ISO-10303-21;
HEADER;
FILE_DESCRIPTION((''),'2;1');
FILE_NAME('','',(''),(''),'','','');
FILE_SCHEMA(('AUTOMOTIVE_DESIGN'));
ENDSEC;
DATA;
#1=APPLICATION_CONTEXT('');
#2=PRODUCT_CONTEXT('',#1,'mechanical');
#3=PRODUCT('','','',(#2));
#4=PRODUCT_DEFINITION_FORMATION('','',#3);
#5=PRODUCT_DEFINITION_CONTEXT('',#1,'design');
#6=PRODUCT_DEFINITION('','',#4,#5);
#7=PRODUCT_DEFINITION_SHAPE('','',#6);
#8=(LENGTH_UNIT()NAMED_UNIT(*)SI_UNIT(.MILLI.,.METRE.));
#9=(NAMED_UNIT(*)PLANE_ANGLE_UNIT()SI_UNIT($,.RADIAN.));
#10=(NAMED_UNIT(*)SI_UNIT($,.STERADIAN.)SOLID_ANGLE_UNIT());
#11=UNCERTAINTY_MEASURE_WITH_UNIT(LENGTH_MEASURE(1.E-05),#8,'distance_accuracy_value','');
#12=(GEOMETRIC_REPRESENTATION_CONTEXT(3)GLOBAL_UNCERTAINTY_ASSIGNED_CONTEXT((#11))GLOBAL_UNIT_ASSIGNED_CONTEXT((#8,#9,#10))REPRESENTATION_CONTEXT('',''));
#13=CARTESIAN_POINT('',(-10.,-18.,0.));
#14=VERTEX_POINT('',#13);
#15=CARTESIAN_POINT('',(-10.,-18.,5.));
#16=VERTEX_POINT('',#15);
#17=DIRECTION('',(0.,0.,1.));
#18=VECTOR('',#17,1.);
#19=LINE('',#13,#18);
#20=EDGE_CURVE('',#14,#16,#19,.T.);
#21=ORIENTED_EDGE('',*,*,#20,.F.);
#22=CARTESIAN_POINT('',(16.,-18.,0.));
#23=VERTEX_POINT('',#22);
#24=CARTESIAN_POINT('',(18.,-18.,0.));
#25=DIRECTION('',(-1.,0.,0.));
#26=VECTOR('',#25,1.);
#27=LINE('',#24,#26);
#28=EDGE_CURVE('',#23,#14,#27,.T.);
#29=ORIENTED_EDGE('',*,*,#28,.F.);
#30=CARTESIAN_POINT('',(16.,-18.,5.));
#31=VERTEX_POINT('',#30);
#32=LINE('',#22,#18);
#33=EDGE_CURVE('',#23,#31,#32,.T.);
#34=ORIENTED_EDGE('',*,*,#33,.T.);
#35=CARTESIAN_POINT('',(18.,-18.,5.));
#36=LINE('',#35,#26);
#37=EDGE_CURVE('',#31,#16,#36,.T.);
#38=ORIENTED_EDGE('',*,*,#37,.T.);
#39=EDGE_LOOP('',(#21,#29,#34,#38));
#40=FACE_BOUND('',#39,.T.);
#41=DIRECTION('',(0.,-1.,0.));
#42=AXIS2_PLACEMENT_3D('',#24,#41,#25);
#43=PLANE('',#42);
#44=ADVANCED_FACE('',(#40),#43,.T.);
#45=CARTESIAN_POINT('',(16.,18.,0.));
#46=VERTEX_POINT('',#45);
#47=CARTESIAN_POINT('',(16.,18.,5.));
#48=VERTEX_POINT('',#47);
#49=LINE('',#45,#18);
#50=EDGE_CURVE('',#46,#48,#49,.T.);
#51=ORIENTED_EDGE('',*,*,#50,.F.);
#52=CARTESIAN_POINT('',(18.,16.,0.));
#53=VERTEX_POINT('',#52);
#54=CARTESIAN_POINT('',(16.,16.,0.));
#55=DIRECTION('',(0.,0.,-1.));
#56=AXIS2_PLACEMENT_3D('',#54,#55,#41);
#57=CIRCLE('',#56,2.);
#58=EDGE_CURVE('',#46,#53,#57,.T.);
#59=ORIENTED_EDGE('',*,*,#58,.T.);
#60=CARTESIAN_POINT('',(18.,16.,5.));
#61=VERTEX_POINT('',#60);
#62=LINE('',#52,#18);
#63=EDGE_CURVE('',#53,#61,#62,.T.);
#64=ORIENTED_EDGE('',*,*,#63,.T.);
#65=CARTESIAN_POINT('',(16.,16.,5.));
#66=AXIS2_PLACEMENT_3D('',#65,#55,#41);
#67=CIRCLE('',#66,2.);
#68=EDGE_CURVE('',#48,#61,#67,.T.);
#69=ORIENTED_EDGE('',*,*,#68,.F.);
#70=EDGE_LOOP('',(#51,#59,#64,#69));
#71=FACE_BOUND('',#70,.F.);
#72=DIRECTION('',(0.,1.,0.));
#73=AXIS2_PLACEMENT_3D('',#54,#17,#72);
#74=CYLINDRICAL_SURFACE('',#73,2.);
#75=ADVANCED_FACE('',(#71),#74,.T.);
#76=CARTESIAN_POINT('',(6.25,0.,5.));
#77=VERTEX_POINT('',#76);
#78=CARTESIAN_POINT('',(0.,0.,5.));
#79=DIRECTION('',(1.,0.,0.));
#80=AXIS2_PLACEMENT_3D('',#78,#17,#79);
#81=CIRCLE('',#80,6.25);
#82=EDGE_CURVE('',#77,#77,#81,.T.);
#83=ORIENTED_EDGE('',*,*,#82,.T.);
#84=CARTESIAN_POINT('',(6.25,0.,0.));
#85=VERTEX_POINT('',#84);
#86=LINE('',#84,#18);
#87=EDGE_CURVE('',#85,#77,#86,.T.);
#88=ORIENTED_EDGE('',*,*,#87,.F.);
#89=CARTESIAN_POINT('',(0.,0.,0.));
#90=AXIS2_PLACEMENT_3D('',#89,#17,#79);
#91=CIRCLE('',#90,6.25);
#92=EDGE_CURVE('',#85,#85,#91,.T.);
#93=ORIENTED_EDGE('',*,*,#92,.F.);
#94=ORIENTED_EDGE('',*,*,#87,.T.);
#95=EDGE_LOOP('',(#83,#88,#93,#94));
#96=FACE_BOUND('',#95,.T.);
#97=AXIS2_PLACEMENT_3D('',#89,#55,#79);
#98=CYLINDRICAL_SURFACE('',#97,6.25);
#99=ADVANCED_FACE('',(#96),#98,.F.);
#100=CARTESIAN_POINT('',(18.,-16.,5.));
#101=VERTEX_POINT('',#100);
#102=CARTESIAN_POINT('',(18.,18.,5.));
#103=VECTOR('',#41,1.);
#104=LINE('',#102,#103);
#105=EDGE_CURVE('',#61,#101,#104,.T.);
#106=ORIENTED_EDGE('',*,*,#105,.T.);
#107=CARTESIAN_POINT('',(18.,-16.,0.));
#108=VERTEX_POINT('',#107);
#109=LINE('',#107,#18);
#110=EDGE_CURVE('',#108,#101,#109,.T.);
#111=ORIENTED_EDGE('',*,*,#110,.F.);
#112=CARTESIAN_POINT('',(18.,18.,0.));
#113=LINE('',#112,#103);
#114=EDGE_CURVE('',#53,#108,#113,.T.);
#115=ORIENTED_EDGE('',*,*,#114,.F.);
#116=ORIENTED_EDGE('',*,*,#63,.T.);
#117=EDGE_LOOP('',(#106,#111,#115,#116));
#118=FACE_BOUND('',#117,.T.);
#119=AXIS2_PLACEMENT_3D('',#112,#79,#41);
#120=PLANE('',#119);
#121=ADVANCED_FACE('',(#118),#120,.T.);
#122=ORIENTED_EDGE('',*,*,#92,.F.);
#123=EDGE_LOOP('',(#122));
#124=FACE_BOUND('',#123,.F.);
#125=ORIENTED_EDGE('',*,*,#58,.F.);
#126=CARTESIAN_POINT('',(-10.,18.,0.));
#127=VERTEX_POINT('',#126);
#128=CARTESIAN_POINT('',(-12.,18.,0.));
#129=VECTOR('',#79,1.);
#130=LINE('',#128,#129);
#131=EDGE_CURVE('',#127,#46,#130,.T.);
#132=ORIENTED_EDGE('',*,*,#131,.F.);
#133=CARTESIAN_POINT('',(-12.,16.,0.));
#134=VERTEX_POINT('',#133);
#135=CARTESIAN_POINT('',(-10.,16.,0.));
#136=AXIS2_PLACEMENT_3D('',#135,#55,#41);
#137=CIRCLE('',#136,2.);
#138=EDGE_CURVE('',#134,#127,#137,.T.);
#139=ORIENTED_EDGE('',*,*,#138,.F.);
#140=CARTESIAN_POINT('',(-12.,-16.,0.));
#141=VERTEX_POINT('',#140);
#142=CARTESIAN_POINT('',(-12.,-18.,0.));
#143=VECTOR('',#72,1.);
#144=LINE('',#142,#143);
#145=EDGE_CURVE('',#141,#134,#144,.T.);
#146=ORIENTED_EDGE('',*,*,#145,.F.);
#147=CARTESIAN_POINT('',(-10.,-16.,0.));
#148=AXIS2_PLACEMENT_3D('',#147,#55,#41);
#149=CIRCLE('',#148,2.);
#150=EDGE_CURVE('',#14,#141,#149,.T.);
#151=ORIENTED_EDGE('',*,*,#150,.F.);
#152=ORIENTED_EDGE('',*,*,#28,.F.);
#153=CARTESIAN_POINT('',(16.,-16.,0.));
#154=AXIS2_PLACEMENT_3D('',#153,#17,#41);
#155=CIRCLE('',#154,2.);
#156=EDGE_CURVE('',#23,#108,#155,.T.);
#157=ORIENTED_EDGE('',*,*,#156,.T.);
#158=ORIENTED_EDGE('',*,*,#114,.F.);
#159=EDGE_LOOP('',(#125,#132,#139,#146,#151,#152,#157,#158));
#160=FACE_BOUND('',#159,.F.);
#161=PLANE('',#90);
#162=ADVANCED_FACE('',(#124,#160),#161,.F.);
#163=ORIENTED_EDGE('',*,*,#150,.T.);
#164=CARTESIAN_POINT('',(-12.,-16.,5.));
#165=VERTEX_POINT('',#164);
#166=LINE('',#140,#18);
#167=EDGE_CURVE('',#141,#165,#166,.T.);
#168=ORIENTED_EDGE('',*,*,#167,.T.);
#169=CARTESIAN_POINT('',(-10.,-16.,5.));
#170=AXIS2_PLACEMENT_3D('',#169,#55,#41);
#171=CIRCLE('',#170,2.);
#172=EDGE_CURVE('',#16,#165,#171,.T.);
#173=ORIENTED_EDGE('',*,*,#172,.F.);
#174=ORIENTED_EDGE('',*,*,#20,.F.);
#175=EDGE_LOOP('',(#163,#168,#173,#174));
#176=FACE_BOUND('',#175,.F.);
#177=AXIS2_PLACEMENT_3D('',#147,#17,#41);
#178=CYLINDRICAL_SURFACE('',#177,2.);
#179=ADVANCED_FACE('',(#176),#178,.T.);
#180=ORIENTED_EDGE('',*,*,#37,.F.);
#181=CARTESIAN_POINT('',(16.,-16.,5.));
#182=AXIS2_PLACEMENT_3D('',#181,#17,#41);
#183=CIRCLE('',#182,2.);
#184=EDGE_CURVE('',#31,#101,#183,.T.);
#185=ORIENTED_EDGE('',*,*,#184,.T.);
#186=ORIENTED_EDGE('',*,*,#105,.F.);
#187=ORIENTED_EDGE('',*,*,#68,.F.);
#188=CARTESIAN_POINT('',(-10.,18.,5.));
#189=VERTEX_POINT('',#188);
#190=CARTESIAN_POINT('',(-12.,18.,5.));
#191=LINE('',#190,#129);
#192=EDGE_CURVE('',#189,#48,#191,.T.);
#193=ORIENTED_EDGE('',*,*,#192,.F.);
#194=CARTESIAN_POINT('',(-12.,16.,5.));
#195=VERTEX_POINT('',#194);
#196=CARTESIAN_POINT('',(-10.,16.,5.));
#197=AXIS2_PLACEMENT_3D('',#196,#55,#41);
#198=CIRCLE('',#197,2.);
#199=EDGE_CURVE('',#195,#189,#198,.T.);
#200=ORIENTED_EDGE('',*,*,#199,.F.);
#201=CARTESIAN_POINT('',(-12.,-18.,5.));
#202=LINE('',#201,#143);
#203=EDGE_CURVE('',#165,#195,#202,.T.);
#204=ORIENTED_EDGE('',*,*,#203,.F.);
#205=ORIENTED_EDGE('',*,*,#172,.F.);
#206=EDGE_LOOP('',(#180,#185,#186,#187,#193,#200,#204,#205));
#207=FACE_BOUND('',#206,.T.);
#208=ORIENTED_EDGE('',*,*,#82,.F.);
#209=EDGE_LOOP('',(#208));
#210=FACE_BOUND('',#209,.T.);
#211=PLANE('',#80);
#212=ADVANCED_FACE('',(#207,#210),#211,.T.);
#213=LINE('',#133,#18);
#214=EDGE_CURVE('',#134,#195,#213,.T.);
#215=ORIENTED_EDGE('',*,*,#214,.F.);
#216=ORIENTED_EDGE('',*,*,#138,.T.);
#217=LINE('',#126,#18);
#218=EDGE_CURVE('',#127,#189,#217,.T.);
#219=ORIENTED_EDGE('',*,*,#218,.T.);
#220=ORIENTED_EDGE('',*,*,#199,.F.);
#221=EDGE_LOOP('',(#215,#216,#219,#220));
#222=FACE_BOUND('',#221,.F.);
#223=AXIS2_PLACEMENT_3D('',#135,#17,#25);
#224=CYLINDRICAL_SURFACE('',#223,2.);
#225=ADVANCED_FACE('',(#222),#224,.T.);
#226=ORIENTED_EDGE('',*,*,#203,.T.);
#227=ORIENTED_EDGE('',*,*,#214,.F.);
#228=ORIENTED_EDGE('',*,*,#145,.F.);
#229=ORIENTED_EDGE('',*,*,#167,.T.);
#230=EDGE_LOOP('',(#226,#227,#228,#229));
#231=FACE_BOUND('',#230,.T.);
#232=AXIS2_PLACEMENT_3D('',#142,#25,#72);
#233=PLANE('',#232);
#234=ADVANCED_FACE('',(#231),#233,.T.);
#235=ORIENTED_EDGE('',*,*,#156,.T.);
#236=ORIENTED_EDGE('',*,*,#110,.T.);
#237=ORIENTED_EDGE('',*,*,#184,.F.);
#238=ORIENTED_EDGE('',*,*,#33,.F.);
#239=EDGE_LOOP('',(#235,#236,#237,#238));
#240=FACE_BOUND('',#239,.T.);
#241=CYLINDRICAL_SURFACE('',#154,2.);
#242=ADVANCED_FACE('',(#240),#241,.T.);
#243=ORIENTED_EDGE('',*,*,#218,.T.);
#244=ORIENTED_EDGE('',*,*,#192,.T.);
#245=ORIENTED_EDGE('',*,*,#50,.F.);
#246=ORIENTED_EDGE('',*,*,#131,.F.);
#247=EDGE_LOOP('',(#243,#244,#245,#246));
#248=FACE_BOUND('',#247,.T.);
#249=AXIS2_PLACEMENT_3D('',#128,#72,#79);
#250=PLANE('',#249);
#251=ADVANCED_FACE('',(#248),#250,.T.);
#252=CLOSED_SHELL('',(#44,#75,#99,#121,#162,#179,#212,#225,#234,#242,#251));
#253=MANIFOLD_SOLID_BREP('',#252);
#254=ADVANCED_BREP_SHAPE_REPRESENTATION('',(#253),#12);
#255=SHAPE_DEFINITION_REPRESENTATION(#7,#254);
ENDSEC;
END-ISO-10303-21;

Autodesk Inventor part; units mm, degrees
ref_plane "YZ Plane" through (0, 0, 0) normal (1, 0, 0) x (0, 1, 0)
ref_plane "XZ Plane" through (0, 0, 0) normal (0, 1, 0) x (-1, 0, 0)
ref_plane "XY Plane" through (0, 0, 0) normal (0, 0, 1) x (1, 0, 0)
sketch "Эскиз1" plane through (0, 0, 0) normal (0, 0, 1) x (1, 0, 0)
  line L0 (18, -18) -> (-12, -18)
  line L1 (-12, -18) -> (-12, 18)
  line L2 (-12, 18) -> (18, 18)
  line L3 (18, 18) -> (18, -18)
  circle A0 centre (0, 0) radius 6.25
  dimension "d0" = 36
  dimension "d1" = 12.5
  dimension "d5" = 18
  dimension "d6" = 12
  dimension "d8" = 30
extrude "Выдавливание1" add sketch "Эскиз1" along normal blind 5
fillet "Сопряжение1" radius 2 4 edges at (-12, -18, 2.5) (-12, 18, 2.5) (18, 18, 2.5) (18, -18, 2.5)
properties part number "платик под редуктор"
